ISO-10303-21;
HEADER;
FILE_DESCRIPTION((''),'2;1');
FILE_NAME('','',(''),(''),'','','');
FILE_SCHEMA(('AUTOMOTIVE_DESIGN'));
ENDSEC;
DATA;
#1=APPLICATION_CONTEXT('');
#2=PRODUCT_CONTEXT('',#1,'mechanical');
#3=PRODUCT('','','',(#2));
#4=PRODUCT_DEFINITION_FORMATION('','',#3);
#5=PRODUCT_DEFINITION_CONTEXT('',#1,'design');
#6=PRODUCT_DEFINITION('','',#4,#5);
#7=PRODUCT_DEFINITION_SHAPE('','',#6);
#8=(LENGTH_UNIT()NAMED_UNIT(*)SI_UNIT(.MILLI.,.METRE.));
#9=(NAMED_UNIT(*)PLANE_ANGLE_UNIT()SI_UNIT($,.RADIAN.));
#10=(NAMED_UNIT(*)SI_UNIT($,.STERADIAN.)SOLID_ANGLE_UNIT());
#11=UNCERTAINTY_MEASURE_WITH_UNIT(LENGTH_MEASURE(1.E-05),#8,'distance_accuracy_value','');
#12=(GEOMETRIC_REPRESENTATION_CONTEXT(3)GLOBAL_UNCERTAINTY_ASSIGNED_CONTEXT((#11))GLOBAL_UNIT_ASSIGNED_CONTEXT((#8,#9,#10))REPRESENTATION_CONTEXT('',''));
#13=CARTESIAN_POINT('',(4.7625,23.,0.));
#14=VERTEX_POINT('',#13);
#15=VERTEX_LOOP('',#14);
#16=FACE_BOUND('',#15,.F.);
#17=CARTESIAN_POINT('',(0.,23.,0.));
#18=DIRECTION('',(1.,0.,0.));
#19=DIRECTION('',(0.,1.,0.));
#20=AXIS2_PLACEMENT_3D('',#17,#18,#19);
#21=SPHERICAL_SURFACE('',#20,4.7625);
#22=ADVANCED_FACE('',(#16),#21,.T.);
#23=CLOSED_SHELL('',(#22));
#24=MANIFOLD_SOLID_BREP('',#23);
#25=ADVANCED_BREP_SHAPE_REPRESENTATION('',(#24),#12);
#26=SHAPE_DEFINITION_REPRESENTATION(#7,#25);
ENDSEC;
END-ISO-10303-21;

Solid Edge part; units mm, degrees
sketch "Sketch1" plane through (0, 0, 0) normal (0, 0, 1) x (1, 0, 0)
  arc A0 (-4.7625, 23) -> (4.7625, 23) centre (0, 23) cw
  line L0 (4.7625, 23) -> (-4.7625, 23)
revolve "RevolvedProtrusion1" add sketch "Sketch1" angle 360 about axis through (4.7625, 23, 0) along (-1, 0, 0)
properties part number "30-62-0-18-ybrg_conc-3-9.525-46"
